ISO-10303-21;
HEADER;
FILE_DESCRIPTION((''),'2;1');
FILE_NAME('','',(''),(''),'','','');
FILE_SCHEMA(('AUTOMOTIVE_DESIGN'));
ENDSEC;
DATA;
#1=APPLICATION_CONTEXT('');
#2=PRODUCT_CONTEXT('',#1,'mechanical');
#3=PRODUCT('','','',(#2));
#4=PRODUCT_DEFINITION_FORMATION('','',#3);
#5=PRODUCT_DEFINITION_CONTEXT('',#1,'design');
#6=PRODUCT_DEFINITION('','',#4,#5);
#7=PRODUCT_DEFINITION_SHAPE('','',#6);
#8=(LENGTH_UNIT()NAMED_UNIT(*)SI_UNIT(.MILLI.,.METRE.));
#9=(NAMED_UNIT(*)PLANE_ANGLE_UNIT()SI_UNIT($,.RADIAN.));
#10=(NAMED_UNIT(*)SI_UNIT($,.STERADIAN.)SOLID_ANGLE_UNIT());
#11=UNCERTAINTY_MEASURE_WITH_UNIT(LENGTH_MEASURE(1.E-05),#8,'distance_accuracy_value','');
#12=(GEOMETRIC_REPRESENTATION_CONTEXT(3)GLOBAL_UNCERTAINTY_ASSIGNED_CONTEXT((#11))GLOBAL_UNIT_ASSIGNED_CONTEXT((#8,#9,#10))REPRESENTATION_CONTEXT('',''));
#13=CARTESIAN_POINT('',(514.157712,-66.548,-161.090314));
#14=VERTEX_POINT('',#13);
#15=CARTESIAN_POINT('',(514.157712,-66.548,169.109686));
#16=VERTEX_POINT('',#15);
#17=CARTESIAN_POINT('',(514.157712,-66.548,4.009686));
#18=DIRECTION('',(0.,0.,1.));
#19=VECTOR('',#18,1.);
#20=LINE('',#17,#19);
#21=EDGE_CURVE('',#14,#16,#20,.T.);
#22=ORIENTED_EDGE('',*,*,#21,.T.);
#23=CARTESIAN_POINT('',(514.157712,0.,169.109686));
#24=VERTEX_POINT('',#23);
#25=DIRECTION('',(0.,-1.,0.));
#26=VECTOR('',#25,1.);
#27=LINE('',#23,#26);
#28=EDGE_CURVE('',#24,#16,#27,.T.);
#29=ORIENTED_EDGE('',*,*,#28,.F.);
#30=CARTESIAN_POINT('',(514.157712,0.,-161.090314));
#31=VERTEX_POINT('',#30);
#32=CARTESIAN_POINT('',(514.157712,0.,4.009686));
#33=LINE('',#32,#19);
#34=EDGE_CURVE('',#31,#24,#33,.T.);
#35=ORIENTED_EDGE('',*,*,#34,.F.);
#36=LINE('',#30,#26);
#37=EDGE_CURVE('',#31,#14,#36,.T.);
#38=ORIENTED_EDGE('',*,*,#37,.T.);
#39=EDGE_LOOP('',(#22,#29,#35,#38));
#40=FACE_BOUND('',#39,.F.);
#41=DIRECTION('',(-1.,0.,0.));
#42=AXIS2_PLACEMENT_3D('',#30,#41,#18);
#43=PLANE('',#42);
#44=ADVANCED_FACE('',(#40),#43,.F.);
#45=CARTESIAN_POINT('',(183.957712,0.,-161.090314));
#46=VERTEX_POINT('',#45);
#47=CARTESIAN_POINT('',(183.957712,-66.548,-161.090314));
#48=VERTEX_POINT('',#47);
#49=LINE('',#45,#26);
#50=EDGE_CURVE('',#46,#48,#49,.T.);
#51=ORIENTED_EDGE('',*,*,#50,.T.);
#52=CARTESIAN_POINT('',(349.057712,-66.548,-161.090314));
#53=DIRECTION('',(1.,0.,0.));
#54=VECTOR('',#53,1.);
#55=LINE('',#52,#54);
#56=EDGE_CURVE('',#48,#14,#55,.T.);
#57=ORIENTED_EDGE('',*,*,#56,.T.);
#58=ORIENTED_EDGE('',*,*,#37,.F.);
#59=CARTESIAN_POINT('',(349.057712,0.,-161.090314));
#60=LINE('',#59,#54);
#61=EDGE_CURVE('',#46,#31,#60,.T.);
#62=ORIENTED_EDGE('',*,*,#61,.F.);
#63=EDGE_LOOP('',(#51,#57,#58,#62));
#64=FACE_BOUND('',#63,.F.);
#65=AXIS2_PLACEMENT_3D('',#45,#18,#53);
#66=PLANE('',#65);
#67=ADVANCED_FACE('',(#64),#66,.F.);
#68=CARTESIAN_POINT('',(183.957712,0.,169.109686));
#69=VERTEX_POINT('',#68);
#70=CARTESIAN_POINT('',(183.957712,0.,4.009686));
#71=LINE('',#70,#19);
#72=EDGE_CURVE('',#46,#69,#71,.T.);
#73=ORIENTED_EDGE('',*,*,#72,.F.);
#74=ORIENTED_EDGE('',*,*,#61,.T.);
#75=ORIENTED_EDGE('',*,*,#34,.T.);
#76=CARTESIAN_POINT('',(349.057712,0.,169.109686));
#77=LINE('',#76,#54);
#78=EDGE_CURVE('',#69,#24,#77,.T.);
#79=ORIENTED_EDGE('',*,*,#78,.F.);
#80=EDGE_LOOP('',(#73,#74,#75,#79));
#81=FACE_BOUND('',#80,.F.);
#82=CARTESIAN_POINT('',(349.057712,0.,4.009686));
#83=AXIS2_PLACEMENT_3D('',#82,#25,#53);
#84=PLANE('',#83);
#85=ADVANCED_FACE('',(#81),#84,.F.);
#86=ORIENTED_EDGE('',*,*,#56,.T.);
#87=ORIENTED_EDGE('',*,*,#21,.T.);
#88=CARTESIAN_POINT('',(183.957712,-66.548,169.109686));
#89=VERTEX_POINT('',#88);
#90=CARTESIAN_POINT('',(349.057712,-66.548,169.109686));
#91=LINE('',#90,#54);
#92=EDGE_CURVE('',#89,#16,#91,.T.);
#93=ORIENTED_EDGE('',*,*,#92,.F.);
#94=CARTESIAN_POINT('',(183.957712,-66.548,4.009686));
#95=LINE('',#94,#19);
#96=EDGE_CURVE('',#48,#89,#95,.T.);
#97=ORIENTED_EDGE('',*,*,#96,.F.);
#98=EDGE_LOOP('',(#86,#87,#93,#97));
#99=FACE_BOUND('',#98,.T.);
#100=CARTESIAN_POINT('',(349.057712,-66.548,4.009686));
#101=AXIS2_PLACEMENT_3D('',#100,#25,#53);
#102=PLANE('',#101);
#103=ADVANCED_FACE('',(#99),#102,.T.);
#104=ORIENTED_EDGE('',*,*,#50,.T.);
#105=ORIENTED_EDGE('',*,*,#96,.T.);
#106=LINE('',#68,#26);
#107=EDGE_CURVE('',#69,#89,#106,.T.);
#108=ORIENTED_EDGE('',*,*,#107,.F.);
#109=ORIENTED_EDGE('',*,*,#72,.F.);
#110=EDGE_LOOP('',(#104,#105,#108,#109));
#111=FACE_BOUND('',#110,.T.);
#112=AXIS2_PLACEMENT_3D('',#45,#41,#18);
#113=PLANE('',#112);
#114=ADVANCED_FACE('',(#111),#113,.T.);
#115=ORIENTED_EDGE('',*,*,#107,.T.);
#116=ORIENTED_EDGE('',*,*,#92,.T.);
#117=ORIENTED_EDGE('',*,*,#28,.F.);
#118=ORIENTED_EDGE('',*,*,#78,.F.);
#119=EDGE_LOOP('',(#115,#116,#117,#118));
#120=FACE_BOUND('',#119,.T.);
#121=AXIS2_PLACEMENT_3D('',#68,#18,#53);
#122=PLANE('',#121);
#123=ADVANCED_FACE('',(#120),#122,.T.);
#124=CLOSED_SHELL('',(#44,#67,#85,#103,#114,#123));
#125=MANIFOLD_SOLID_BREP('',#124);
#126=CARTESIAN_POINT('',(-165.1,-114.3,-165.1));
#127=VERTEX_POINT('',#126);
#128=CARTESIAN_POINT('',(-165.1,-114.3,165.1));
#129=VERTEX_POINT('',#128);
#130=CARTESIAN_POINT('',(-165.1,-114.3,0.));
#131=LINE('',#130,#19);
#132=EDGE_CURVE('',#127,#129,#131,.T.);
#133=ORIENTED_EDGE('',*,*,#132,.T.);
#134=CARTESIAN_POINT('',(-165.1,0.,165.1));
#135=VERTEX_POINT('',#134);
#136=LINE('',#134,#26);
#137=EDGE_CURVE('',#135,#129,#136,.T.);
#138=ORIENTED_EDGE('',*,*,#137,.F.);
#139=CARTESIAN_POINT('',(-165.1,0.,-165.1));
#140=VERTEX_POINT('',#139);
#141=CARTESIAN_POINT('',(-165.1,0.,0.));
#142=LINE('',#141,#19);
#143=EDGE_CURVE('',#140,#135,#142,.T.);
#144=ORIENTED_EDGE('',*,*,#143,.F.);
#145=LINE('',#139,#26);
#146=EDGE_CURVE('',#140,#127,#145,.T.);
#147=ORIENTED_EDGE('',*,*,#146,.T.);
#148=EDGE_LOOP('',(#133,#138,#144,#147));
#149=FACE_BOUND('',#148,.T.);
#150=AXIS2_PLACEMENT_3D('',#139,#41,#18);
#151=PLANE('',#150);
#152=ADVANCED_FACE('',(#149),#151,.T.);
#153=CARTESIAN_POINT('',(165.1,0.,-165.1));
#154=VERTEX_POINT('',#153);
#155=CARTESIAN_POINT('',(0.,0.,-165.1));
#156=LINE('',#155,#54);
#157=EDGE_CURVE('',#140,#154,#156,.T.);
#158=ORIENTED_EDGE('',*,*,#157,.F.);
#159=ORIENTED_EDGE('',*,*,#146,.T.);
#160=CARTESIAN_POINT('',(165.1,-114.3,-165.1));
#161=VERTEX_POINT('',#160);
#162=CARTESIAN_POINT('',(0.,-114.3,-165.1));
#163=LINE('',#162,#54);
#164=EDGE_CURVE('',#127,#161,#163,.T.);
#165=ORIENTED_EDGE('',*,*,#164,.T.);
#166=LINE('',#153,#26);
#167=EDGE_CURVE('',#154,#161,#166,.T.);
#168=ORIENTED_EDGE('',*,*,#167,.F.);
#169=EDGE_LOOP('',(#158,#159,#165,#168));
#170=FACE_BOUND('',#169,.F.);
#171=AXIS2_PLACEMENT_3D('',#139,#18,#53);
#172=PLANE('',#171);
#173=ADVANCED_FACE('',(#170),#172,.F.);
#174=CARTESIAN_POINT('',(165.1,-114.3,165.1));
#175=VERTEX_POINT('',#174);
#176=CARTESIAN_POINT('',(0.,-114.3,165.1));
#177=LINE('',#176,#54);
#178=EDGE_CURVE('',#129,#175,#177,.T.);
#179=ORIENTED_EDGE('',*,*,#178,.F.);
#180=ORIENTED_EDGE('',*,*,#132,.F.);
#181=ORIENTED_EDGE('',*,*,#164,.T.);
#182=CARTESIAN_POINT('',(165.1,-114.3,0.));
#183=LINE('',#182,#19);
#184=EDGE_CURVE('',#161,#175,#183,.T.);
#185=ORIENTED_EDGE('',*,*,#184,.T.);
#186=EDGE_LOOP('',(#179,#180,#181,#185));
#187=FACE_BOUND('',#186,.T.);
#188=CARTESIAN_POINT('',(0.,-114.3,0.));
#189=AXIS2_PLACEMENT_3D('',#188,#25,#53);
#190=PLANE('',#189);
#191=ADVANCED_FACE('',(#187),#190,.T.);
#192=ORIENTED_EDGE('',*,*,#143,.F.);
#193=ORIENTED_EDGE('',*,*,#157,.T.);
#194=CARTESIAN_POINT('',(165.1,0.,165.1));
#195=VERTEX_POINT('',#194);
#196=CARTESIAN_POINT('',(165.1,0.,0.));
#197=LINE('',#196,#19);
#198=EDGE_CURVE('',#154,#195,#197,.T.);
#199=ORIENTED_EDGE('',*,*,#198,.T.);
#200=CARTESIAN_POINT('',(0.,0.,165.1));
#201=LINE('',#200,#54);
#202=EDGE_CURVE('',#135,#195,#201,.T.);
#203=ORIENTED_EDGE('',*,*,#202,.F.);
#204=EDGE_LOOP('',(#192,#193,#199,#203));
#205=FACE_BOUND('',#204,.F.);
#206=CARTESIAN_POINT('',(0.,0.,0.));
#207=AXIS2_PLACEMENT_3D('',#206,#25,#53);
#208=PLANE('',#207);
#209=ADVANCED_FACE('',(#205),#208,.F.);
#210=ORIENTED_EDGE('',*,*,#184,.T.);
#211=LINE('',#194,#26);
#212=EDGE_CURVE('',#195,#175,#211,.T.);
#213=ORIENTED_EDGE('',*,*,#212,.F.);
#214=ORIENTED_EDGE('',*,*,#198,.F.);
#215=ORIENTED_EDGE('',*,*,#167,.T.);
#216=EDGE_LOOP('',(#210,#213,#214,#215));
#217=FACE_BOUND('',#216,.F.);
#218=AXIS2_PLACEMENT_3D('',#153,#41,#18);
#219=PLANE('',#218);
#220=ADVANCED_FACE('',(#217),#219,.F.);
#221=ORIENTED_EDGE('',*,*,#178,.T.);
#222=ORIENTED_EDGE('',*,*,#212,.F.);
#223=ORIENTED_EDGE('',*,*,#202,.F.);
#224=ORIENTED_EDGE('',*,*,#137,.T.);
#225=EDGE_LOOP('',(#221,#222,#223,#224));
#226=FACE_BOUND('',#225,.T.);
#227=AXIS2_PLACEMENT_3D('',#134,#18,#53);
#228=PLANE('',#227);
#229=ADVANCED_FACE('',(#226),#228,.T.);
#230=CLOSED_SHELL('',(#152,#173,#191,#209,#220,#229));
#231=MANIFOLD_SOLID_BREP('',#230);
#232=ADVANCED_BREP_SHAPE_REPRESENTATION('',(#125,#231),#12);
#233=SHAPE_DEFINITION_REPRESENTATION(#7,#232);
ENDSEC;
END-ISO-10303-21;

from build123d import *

# Parameters (mm, degrees)
F0_W     = 330.2
F0_H     = 330.2
F1_DEPTH = 114.3
F2_W     = 330.2
F2_H     = 330.2
F3_DEPTH = 66.548


with BuildPart() as f1:
    # F0 (on Front) → F1 (new body)
    with BuildSketch(Plane.XZ):
        Rectangle(F0_W, F0_H)
    extrude(amount=F1_DEPTH)


with BuildPart() as f3:
    # F2 (on Front) → F3 (new body)
    with BuildSketch(Plane.XZ):
        with Locations((349.057712, 4.009686)):
            Rectangle(F2_W, F2_H)
    extrude(amount=F3_DEPTH)


solid = Compound([f1.part, f3.part])
